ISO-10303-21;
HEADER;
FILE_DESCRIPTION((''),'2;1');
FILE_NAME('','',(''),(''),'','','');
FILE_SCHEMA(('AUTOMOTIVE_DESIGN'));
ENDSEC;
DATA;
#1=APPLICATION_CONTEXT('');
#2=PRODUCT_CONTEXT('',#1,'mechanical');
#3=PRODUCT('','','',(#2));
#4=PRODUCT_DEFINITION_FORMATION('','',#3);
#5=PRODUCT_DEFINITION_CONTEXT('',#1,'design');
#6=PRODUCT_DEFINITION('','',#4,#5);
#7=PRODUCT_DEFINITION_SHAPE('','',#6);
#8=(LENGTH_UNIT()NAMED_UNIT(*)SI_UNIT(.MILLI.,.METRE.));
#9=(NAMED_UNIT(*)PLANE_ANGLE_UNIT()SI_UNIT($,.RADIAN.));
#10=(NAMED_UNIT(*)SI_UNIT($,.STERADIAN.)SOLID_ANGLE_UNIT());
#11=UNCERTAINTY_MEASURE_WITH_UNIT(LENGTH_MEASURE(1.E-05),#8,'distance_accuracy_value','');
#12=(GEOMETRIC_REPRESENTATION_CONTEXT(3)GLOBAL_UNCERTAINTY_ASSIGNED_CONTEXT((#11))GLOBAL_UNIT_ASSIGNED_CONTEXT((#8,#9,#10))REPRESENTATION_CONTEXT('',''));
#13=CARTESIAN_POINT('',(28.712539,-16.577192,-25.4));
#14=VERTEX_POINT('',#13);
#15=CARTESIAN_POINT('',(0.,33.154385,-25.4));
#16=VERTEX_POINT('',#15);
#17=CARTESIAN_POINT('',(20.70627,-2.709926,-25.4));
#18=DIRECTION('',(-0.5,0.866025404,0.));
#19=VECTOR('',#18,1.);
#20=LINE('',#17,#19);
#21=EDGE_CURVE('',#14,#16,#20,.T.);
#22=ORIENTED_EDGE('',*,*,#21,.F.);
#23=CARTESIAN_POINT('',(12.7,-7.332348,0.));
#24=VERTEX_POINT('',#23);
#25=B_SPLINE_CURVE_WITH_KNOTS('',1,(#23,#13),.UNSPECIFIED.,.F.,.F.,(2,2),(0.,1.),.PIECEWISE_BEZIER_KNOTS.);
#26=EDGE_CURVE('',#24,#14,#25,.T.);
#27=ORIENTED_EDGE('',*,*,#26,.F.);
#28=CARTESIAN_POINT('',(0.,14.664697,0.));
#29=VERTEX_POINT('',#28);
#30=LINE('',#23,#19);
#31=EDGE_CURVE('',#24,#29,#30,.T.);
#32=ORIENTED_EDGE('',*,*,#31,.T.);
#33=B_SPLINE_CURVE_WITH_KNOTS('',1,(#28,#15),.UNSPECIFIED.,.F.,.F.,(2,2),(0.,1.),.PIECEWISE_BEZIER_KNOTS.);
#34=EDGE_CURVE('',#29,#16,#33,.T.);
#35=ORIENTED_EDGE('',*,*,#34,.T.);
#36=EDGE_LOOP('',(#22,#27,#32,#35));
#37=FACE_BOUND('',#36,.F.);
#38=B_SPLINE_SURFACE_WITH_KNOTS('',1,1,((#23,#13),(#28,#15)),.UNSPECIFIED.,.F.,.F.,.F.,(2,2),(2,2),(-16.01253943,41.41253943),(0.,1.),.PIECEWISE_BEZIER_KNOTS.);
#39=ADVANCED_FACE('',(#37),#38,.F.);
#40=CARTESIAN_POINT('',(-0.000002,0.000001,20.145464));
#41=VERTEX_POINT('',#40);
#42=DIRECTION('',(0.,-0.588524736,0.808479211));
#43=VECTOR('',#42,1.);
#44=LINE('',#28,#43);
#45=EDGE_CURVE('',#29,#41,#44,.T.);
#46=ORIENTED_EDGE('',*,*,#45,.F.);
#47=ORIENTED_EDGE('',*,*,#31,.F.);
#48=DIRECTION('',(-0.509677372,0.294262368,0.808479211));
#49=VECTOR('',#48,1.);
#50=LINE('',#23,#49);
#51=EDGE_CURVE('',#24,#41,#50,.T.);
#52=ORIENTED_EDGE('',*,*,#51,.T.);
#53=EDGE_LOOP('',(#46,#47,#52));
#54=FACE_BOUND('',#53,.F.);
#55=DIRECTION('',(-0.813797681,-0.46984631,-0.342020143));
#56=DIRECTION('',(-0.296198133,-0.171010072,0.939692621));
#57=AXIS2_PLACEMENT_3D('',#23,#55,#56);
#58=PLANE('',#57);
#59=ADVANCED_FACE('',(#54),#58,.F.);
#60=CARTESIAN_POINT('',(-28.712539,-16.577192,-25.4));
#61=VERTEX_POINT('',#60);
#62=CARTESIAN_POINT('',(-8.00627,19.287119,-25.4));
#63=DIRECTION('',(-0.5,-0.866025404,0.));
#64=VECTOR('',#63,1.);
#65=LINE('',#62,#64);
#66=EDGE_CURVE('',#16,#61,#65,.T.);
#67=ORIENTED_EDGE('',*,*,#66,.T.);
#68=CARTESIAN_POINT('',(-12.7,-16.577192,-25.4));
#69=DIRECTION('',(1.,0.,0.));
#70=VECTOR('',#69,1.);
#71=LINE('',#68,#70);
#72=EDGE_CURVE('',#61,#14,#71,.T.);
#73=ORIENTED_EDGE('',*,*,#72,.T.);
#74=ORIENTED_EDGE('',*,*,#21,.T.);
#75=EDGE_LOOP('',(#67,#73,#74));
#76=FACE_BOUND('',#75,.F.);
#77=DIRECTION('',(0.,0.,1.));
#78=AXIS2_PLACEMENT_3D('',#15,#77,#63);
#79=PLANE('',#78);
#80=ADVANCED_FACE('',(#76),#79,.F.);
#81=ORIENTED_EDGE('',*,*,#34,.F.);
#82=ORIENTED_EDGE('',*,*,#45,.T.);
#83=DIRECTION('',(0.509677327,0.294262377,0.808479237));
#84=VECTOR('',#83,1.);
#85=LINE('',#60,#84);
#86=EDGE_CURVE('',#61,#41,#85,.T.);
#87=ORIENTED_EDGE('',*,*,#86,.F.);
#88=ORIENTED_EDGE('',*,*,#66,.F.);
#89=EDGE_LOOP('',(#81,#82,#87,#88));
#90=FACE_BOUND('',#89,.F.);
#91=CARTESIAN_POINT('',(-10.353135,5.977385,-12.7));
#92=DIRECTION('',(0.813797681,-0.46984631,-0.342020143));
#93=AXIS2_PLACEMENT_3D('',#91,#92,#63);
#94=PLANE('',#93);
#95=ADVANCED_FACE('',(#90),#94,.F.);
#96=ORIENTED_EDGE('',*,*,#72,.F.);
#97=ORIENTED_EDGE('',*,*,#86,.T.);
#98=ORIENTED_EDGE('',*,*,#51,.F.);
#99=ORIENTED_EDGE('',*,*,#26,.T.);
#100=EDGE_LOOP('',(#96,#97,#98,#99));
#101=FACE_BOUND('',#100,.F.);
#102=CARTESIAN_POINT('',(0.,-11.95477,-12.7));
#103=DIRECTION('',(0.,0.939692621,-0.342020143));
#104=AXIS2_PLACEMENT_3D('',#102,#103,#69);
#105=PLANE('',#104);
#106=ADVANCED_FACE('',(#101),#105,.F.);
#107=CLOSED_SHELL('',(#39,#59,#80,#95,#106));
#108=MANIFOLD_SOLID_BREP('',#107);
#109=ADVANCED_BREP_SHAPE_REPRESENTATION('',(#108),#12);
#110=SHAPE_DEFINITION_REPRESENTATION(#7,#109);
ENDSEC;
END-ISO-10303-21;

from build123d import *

# Parameters (mm, degrees)
F1_DEPTH      = 25.4
F1_TAPER      = 20
F1_DEPTH_BACK = 25.4
F1_TAPER_BACK = -20


with BuildPart() as f1:
    # F0 (on Top) → F1 (new body, two sides)
    with BuildSketch(Plane.XY) as f1_sk:
        Polygon((0, 14.6646968374), (-12.7, -7.3323484187), (12.7, -7.3323484187), align=None)
    extrude(amount=F1_DEPTH, taper=F1_TAPER)
    extrude(f1_sk.sketch, amount=-F1_DEPTH_BACK, taper=F1_TAPER_BACK)


solid = f1.part
